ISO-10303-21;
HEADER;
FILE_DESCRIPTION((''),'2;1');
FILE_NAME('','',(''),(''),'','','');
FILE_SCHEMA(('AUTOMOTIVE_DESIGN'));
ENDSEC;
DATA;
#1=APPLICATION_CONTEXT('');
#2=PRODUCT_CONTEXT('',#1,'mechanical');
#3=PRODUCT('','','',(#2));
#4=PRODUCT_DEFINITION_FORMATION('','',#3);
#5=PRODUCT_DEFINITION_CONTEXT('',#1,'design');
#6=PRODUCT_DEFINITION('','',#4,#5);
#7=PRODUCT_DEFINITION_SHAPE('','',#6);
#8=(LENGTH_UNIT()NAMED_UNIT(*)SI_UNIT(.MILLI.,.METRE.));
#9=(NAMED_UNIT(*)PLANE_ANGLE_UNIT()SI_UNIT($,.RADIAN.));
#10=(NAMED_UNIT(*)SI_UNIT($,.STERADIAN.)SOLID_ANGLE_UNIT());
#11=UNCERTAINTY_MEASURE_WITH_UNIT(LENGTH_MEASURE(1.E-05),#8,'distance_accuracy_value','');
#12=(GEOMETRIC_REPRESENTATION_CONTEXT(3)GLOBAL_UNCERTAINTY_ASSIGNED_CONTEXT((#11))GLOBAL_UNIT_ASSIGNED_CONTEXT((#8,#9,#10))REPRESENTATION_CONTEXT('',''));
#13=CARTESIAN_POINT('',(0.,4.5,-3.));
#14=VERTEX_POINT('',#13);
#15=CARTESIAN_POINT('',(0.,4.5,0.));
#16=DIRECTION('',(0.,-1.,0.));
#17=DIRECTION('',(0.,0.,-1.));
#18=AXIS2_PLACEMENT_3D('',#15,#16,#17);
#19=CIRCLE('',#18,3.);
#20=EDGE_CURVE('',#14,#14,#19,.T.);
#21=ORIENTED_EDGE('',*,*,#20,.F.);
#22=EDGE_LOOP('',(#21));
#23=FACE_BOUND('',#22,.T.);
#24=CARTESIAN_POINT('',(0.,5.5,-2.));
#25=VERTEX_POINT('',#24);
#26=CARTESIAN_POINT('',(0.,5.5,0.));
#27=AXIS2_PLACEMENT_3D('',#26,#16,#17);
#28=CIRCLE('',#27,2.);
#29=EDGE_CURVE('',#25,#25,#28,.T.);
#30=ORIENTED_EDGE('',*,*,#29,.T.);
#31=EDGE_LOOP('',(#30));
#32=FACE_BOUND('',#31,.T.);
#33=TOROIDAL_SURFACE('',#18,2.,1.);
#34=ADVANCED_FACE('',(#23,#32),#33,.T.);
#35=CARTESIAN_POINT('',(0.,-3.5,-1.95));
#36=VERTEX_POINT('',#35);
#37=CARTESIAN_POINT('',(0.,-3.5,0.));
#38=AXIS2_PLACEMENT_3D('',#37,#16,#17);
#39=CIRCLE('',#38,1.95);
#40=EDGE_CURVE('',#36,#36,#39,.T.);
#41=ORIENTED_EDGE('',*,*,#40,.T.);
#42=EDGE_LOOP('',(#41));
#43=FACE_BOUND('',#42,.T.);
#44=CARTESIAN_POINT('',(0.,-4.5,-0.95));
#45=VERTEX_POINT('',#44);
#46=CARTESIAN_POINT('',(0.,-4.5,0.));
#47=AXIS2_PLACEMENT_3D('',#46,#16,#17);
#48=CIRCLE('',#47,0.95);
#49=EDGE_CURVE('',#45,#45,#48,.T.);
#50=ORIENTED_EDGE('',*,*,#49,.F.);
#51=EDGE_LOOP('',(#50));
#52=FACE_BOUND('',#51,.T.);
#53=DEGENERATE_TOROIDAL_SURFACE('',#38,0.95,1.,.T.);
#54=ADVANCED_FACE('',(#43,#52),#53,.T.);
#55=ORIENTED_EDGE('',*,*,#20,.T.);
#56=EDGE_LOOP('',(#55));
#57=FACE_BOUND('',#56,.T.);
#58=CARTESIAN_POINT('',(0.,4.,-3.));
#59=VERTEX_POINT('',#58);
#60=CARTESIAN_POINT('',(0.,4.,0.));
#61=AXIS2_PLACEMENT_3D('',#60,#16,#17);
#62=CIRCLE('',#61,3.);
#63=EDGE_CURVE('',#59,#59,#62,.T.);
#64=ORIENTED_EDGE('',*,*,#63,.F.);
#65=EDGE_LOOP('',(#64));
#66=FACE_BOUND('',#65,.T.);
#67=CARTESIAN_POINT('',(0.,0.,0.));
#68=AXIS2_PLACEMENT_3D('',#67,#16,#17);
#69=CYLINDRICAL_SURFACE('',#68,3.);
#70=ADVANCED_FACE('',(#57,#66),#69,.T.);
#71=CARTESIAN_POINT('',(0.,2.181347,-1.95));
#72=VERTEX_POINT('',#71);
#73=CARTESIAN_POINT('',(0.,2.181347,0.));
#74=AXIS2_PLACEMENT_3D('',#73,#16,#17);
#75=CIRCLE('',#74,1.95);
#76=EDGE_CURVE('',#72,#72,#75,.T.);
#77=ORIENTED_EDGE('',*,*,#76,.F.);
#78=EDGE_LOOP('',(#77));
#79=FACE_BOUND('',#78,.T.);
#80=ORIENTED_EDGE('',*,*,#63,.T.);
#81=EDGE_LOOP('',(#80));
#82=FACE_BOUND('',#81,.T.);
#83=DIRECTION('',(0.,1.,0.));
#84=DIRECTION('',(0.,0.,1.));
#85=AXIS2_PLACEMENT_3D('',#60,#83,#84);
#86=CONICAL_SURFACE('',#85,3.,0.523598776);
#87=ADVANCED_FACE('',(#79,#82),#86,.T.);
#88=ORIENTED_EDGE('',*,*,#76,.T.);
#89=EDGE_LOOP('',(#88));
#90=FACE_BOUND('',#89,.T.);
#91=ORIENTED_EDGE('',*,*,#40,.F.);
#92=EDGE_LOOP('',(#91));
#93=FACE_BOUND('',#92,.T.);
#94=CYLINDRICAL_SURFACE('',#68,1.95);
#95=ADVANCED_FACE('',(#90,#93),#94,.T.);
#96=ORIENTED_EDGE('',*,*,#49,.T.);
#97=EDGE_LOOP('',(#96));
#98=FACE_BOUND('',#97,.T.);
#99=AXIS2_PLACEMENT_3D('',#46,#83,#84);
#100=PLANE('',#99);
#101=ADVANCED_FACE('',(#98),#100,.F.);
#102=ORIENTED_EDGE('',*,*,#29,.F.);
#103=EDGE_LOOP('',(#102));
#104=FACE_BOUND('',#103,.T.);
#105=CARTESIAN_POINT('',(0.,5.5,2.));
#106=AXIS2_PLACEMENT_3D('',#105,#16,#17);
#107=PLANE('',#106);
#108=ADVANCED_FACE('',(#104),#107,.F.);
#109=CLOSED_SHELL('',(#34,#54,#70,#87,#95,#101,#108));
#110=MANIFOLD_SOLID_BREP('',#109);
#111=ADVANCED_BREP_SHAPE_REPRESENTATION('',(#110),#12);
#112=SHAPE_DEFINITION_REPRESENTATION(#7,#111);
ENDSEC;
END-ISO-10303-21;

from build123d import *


with BuildPart() as part:
    # Sketch1 → Revolve1 (revolve)
    with BuildSketch(Plane(origin=(0, 0, 0), x_dir=(0, 0, -1), z_dir=(1, 0, 0)), mode=Mode.PRIVATE) as revolve1_sk:
        with BuildLine():
            Line((0, -4.5), (-0.95, -4.5))
            ThreePointArc((-0.95, -4.5), (-1.657106781, -4.207106781), (-1.95, -3.5))
            Line((-1.95, -3.5), (-1.95, 2.181346652))
            Line((-1.95, 2.181346652), (-3, 4))
            Line((-3, 4), (-3, 4.5))
            ThreePointArc((-3, 4.5), (-2.707106781, 5.207106781), (-2, 5.5))
            Line((-2, 5.5), (0, 5.5))
            Line((0, 5.5), (0, -4.5))
        make_face()
    revolve(revolve1_sk.sketch.rotate(Axis((0, 0, 0), (0, 1, 0)), 180), axis=Axis((0, 0, 0), (0, 1, 0)))


solid = part.part
